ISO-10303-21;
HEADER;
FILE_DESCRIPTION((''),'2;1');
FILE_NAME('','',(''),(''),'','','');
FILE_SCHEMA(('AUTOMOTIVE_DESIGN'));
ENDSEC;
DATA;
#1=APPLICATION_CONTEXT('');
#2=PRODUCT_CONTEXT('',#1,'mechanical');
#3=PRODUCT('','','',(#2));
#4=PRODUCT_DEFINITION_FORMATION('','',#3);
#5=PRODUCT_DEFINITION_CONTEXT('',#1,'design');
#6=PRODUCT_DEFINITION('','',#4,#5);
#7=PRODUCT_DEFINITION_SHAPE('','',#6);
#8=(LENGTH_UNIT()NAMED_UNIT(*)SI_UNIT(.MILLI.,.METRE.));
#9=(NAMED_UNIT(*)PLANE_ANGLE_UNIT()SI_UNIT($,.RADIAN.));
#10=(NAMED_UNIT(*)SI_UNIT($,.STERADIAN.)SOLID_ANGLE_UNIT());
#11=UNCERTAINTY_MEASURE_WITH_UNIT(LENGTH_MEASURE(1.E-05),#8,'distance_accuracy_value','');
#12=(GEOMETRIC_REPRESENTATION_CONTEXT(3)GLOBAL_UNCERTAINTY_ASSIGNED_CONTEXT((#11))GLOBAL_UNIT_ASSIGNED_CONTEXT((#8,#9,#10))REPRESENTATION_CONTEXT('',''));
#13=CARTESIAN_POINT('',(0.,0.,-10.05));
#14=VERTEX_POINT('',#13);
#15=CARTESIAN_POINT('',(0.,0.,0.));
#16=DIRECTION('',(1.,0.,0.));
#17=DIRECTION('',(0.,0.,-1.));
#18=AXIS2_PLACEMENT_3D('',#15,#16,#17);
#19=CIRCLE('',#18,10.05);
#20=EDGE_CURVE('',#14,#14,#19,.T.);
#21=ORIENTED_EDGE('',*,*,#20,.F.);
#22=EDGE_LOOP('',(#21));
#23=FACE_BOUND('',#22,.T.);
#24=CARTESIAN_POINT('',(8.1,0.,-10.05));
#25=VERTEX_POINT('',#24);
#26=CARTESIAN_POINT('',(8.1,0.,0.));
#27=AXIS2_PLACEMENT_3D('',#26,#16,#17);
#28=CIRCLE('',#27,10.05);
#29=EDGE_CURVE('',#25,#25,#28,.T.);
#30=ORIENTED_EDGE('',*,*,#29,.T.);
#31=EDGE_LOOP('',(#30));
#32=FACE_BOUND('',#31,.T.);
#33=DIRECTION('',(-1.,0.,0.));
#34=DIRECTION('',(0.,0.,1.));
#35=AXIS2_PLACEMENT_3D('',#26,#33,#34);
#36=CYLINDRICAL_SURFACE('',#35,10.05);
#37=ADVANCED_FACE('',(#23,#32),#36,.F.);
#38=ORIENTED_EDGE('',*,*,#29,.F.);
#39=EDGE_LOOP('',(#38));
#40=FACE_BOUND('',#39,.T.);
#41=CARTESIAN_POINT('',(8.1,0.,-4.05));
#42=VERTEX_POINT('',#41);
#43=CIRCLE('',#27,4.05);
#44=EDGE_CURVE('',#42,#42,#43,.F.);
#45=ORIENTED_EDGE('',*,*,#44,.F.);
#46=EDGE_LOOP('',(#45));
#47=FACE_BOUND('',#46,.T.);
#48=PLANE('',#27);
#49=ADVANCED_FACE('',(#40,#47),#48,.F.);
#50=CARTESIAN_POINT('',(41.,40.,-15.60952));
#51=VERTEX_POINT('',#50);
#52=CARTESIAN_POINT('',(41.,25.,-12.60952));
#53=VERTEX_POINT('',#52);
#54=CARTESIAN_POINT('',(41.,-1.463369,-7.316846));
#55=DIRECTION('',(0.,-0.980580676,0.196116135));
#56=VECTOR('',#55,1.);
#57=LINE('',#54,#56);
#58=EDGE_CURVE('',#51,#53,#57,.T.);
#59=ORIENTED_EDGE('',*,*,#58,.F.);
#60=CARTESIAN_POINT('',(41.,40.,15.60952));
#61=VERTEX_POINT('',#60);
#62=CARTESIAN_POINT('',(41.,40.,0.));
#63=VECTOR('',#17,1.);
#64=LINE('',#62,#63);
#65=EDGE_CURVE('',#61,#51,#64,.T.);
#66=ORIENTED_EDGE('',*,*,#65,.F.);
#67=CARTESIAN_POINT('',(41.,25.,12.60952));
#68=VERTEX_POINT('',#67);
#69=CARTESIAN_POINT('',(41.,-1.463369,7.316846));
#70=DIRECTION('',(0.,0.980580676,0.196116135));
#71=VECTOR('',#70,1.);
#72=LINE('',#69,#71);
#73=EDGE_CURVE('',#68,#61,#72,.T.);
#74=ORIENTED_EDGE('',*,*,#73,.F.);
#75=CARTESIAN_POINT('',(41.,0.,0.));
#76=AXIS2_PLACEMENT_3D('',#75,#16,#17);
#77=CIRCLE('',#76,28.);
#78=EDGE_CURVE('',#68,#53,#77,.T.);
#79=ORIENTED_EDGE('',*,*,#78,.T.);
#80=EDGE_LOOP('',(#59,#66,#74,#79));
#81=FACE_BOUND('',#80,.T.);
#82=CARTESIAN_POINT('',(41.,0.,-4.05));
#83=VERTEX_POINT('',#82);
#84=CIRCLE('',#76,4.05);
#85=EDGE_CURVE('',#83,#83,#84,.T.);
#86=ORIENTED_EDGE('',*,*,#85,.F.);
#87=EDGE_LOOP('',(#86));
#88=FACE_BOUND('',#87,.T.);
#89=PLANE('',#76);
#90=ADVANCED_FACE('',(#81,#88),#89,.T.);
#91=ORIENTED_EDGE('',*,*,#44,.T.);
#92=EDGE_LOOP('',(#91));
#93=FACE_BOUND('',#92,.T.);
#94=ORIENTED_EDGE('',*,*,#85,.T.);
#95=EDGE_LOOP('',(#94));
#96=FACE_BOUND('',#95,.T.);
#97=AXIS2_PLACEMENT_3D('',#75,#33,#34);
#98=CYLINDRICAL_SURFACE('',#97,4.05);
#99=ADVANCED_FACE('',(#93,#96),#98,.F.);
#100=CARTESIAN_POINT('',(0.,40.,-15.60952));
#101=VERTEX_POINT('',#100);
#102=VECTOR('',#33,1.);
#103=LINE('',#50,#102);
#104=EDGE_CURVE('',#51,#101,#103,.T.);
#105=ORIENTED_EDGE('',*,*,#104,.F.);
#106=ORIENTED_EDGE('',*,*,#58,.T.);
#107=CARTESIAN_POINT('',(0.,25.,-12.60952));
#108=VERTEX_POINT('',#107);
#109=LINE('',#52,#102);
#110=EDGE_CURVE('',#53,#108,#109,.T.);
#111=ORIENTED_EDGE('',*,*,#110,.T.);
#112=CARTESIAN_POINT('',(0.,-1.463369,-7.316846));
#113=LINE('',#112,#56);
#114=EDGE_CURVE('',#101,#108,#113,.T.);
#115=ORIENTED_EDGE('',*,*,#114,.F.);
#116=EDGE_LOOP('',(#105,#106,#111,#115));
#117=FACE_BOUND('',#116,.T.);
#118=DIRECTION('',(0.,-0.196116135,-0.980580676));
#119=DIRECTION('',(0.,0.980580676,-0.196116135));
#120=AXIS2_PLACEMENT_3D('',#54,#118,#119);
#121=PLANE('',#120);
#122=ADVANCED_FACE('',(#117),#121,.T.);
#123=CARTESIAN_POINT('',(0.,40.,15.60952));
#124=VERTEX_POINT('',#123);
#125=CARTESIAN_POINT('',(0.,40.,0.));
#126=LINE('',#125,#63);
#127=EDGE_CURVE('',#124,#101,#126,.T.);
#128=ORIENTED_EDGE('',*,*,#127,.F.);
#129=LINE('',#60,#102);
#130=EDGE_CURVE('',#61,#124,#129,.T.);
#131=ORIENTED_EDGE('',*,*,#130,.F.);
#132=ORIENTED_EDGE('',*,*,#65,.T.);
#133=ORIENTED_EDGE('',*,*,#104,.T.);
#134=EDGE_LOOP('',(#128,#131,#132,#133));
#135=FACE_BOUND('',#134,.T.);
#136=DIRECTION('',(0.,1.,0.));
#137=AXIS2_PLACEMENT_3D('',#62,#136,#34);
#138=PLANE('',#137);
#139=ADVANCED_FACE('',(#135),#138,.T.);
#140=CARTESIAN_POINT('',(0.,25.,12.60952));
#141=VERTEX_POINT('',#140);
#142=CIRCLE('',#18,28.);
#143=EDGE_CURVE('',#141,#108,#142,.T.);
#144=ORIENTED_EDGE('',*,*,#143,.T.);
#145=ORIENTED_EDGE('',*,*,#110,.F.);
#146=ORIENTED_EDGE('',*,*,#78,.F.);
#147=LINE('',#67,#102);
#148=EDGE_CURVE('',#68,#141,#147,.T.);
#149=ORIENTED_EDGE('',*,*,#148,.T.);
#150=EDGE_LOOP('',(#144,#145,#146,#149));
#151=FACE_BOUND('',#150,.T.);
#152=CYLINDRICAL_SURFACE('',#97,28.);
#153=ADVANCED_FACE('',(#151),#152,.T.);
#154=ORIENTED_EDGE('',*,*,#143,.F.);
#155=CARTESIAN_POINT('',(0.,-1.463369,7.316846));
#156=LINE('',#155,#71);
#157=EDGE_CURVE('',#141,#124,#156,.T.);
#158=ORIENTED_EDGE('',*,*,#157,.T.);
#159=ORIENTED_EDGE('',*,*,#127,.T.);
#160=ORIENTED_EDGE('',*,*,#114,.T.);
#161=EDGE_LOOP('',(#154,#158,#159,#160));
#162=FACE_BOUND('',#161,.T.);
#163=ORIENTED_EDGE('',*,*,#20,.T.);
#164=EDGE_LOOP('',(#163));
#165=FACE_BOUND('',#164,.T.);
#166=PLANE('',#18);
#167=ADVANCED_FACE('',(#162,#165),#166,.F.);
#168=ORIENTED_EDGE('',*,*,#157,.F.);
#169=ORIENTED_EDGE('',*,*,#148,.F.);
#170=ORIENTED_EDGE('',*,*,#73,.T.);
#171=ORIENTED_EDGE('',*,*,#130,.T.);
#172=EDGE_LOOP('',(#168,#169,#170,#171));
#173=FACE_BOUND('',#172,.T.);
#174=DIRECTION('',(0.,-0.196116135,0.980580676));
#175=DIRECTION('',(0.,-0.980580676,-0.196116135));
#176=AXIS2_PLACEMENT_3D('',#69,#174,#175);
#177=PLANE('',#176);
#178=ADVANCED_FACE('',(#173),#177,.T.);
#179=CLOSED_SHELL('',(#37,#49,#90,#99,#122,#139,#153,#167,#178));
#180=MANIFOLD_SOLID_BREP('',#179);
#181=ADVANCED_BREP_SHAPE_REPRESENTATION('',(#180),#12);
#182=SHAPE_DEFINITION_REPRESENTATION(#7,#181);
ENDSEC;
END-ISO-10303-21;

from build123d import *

# Parameters (mm, degrees)
BOSS_EXTRUDE1_DEPTH = 41
SKETCH2_R           = 10.05
CUT_EXTRUDE1_DEPTH  = 8.1
SKETCH3_R           = 4.05
CUT_EXTRUDE2_DEPTH  = 64.757352517


with BuildPart() as part:
    # Sketch1 → Boss-Extrude1 (new body)
    with BuildSketch(Plane(origin=(0, 0, 0), x_dir=(0, 0, -1), z_dir=(1, 0, 0))):
        with BuildLine():
            Line((-15.609520213, 40), (-12.609520213, 25))
            ThreePointArc((-12.609520213, 25), (0, -28), (12.609520213, 25))
            Line((12.609520213, 25), (15.609520213, 40))
            Line((15.609520213, 40), (-15.609520213, 40))
        make_face()
    extrude(amount=BOSS_EXTRUDE1_DEPTH)

    # Sketch2 → Cut-Extrude1 (cut)
    with BuildSketch(Plane(origin=(0, 0, 0), x_dir=(0, 0, -1), z_dir=(1, 0, 0))):
        Circle(SKETCH2_R)
    extrude(amount=CUT_EXTRUDE1_DEPTH, mode=Mode.SUBTRACT)

    # Sketch3 → Cut-Extrude2 (cut, through all)
    with BuildSketch(Plane(origin=(0, 0, 0), x_dir=(0, 0, -1), z_dir=(1, 0, 0))):
        Circle(SKETCH3_R)
    extrude(amount=CUT_EXTRUDE2_DEPTH, mode=Mode.SUBTRACT)


solid = part.part
